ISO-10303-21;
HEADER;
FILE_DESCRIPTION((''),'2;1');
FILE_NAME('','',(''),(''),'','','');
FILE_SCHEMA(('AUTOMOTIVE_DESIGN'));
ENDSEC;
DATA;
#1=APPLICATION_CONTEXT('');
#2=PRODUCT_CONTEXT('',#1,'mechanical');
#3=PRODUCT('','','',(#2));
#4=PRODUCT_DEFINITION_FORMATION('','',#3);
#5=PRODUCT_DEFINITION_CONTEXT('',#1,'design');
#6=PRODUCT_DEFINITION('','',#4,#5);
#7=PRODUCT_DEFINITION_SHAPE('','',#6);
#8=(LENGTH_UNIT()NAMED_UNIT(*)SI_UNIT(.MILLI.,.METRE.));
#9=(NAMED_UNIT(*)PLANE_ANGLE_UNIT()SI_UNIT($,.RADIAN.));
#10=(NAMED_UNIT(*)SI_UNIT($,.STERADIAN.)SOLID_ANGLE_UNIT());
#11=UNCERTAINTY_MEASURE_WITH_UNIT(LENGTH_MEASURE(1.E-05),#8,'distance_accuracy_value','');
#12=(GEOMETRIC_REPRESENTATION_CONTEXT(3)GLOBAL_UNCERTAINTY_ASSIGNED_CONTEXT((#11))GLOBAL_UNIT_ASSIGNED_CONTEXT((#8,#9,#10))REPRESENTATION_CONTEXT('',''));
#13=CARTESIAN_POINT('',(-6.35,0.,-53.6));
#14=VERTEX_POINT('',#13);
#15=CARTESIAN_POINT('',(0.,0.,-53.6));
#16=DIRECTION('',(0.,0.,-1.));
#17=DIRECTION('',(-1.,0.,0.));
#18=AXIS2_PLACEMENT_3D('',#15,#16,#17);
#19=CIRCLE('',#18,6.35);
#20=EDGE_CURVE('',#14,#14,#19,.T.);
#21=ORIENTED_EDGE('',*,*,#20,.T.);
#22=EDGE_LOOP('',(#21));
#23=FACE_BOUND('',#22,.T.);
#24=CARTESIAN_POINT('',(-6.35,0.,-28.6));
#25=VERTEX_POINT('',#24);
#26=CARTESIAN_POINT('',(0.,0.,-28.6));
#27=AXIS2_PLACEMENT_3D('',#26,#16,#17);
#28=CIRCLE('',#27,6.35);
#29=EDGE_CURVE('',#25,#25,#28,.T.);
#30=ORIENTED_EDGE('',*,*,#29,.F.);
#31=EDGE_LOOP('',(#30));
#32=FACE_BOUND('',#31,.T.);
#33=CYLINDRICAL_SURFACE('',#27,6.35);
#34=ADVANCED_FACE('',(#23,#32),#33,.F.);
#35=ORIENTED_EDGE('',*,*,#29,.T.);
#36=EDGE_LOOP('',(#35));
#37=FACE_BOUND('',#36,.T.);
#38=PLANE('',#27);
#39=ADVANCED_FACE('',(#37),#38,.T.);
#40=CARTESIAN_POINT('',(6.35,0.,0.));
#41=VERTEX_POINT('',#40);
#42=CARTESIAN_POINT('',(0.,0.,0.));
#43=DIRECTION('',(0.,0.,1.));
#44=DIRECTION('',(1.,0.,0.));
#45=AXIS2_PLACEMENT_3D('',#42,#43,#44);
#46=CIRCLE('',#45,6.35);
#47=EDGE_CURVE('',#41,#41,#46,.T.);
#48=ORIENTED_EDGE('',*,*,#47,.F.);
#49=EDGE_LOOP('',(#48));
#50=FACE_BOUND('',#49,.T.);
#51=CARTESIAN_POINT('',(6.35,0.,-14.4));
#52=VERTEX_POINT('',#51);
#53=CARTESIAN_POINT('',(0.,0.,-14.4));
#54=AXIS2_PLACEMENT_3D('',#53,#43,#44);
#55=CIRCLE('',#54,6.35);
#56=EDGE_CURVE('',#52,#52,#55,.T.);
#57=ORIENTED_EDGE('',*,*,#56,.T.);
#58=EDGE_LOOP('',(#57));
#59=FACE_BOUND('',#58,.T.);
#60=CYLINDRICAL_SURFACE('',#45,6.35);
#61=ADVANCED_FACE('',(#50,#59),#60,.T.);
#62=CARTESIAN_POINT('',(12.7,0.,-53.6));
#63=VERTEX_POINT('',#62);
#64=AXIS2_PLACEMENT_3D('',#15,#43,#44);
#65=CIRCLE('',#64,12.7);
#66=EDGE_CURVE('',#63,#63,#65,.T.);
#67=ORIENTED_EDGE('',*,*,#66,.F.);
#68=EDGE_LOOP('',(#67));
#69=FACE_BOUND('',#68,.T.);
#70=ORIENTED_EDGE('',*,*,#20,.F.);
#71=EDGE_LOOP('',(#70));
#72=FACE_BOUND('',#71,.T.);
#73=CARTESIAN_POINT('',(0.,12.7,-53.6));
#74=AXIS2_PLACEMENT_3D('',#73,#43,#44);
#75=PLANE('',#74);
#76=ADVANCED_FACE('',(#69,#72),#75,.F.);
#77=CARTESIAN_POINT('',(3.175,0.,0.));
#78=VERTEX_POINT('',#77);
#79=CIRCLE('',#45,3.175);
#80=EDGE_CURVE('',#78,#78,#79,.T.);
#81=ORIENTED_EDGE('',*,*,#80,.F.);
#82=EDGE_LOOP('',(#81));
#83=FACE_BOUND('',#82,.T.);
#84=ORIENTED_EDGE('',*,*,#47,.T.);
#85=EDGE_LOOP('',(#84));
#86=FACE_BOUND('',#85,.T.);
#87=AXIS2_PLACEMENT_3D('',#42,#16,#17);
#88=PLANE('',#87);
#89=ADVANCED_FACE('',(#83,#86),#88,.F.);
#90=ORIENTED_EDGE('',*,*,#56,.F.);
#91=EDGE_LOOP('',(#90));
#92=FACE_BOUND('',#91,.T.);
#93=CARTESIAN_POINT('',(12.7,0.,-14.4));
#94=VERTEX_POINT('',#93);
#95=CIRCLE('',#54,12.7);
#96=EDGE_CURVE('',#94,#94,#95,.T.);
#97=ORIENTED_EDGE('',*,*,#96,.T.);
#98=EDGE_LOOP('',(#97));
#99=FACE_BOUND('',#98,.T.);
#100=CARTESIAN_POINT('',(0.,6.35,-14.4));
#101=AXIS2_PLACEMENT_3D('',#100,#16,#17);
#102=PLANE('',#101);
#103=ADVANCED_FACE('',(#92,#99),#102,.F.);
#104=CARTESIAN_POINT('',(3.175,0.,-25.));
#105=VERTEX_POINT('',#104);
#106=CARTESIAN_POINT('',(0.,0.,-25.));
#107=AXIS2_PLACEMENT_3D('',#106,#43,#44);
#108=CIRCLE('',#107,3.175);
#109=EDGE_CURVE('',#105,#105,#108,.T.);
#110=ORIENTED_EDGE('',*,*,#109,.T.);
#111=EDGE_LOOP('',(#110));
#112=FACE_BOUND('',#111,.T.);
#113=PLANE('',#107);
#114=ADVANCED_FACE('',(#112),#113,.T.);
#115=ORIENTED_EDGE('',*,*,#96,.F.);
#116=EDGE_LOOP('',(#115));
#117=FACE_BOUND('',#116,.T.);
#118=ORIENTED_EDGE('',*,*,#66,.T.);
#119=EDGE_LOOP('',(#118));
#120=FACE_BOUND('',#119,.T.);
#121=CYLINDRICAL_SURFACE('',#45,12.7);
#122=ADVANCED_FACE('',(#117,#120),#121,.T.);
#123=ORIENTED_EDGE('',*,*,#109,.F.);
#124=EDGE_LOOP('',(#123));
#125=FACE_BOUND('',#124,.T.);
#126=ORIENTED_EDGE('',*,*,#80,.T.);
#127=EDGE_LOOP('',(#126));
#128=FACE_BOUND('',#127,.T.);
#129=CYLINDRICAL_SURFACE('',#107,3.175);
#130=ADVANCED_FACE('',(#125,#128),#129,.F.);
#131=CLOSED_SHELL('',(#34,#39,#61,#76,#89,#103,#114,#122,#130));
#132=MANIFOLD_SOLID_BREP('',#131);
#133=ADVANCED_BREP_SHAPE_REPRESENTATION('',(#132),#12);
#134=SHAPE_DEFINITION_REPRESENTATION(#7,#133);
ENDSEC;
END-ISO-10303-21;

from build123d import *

# Parameters (mm, degrees)
SKETCH2_R          = 3.175
CUT_EXTRUDE1_DEPTH = 25
SKETCH3_R          = 6.35
CUT_EXTRUDE2_DEPTH = 25


with BuildPart() as part:
    # Sketch1 → Revolve1 (revolve)
    with BuildSketch(Plane(origin=(0, 0, 0), x_dir=(0, 0, -1), z_dir=(1, 0, 0)), mode=Mode.PRIVATE) as revolve1_sk:
        Polygon((14.4, 6.35), (14.4, 12.7), (53.6, 12.7), (53.6, 0), (0, 0), (0, 6.35), align=None)
    revolve(revolve1_sk.sketch.rotate(Axis((0, 0, 0), (0, 0, -1)), 90), axis=Axis((0, 0, 0), (0, 0, -1)))

    # Sketch2 → Cut-Extrude1 (cut)
    with BuildSketch(Plane.XY):
        Circle(SKETCH2_R)
    extrude(amount=-CUT_EXTRUDE1_DEPTH, mode=Mode.SUBTRACT)

    # Sketch3 → Cut-Extrude2 (cut)
    with BuildSketch(Plane(origin=(0, 0, -53.6), x_dir=(-1, 0, 0), z_dir=(0, 0, -1))):
        with Locations(Location((0, 0, 0), (0, 0, 180))):
            Circle(SKETCH3_R)
    extrude(amount=-CUT_EXTRUDE2_DEPTH, mode=Mode.SUBTRACT)


solid = part.part
